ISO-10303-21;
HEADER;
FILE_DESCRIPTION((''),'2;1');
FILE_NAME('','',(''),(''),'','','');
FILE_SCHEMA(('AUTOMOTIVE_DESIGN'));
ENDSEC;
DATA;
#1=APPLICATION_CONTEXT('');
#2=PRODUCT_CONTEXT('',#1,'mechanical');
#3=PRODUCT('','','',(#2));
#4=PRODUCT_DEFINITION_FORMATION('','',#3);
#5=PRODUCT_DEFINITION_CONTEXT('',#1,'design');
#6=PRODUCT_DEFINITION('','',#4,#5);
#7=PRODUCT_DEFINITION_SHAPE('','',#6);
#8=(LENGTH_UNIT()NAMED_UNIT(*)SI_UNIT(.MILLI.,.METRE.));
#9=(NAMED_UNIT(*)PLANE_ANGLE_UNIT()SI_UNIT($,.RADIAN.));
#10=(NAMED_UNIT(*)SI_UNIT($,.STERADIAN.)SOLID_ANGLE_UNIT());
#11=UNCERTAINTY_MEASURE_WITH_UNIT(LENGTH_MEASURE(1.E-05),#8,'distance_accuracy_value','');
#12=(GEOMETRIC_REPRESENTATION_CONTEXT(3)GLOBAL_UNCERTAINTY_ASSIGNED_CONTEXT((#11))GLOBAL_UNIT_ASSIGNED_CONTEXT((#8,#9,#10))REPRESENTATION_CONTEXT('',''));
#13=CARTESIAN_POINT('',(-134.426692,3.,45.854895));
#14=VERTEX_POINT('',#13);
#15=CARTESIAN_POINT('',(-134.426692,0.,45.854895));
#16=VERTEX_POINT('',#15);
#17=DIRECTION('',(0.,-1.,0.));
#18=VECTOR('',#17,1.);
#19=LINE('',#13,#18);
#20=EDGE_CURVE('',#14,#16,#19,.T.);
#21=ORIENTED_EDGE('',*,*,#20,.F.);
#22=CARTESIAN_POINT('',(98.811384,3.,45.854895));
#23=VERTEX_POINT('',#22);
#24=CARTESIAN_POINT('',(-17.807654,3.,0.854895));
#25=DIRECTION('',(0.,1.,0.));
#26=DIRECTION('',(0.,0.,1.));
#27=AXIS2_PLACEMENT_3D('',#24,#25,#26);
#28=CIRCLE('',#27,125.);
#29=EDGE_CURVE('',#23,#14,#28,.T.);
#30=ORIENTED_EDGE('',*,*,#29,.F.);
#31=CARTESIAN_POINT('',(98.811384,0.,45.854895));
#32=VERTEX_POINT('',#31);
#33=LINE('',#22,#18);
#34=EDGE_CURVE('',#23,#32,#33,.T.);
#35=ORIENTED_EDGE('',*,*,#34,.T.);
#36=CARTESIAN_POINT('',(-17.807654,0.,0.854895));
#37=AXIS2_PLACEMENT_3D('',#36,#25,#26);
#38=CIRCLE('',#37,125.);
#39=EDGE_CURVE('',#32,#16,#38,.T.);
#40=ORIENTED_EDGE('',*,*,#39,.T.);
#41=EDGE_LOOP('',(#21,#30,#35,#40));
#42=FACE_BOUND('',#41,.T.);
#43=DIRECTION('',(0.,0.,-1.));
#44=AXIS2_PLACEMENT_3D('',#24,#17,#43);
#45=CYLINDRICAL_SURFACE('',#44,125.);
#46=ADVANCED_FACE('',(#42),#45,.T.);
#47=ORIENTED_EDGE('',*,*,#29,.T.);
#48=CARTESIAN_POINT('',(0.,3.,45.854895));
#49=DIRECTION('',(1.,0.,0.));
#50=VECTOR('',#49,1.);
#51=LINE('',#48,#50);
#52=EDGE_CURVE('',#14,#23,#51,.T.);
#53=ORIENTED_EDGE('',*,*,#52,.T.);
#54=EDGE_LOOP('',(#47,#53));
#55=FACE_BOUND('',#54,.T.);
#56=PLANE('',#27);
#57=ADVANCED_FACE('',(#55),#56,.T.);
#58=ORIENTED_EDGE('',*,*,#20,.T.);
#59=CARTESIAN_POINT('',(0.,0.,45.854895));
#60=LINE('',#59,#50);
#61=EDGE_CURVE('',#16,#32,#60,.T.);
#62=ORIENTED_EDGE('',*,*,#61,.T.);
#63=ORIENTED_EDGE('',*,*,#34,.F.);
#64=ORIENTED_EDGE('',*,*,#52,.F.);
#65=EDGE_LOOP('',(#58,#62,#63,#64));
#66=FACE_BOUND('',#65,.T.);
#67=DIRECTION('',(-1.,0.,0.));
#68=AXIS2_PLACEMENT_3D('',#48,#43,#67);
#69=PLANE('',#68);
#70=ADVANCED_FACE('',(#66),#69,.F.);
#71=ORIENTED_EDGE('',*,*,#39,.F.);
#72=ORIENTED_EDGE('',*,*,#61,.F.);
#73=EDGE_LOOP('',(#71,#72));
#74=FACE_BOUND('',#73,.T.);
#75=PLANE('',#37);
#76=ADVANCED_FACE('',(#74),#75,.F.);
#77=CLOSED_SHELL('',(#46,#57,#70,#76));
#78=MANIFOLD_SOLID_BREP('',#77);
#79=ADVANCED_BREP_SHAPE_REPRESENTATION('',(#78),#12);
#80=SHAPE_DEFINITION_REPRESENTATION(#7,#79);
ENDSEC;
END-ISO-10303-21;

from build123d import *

# Parameters (mm, degrees)
SKETCH2_R           = 125
BOSS_EXTRUDE1_DEPTH = 3
CUT_EXTRUDE1_DEPTH  = 3


with BuildPart() as part:
    # Sketch2 → Boss-Extrude1 (new body)
    with BuildSketch(Plane(origin=(0, 0, 0), x_dir=(1, 0, 0), z_dir=(0, 1, 0))):
        with Locations((-17.80765369, -0.854894607)):
            Circle(SKETCH2_R)
    extrude(amount=BOSS_EXTRUDE1_DEPTH)

    # Sketch3 → Cut-Extrude1 (cut)
    with BuildSketch(Plane.XZ):
        Polygon((-735.289651923, 45.854894607), (-134.426691587, 45.854894607), (98.811384207, 45.854894607), (699.674344543, 45.854894607), (699.674344543, 1247.580815278), (-735.289651923, 1247.580815278), align=None)
    extrude(amount=-CUT_EXTRUDE1_DEPTH, mode=Mode.SUBTRACT)


solid = part.part
